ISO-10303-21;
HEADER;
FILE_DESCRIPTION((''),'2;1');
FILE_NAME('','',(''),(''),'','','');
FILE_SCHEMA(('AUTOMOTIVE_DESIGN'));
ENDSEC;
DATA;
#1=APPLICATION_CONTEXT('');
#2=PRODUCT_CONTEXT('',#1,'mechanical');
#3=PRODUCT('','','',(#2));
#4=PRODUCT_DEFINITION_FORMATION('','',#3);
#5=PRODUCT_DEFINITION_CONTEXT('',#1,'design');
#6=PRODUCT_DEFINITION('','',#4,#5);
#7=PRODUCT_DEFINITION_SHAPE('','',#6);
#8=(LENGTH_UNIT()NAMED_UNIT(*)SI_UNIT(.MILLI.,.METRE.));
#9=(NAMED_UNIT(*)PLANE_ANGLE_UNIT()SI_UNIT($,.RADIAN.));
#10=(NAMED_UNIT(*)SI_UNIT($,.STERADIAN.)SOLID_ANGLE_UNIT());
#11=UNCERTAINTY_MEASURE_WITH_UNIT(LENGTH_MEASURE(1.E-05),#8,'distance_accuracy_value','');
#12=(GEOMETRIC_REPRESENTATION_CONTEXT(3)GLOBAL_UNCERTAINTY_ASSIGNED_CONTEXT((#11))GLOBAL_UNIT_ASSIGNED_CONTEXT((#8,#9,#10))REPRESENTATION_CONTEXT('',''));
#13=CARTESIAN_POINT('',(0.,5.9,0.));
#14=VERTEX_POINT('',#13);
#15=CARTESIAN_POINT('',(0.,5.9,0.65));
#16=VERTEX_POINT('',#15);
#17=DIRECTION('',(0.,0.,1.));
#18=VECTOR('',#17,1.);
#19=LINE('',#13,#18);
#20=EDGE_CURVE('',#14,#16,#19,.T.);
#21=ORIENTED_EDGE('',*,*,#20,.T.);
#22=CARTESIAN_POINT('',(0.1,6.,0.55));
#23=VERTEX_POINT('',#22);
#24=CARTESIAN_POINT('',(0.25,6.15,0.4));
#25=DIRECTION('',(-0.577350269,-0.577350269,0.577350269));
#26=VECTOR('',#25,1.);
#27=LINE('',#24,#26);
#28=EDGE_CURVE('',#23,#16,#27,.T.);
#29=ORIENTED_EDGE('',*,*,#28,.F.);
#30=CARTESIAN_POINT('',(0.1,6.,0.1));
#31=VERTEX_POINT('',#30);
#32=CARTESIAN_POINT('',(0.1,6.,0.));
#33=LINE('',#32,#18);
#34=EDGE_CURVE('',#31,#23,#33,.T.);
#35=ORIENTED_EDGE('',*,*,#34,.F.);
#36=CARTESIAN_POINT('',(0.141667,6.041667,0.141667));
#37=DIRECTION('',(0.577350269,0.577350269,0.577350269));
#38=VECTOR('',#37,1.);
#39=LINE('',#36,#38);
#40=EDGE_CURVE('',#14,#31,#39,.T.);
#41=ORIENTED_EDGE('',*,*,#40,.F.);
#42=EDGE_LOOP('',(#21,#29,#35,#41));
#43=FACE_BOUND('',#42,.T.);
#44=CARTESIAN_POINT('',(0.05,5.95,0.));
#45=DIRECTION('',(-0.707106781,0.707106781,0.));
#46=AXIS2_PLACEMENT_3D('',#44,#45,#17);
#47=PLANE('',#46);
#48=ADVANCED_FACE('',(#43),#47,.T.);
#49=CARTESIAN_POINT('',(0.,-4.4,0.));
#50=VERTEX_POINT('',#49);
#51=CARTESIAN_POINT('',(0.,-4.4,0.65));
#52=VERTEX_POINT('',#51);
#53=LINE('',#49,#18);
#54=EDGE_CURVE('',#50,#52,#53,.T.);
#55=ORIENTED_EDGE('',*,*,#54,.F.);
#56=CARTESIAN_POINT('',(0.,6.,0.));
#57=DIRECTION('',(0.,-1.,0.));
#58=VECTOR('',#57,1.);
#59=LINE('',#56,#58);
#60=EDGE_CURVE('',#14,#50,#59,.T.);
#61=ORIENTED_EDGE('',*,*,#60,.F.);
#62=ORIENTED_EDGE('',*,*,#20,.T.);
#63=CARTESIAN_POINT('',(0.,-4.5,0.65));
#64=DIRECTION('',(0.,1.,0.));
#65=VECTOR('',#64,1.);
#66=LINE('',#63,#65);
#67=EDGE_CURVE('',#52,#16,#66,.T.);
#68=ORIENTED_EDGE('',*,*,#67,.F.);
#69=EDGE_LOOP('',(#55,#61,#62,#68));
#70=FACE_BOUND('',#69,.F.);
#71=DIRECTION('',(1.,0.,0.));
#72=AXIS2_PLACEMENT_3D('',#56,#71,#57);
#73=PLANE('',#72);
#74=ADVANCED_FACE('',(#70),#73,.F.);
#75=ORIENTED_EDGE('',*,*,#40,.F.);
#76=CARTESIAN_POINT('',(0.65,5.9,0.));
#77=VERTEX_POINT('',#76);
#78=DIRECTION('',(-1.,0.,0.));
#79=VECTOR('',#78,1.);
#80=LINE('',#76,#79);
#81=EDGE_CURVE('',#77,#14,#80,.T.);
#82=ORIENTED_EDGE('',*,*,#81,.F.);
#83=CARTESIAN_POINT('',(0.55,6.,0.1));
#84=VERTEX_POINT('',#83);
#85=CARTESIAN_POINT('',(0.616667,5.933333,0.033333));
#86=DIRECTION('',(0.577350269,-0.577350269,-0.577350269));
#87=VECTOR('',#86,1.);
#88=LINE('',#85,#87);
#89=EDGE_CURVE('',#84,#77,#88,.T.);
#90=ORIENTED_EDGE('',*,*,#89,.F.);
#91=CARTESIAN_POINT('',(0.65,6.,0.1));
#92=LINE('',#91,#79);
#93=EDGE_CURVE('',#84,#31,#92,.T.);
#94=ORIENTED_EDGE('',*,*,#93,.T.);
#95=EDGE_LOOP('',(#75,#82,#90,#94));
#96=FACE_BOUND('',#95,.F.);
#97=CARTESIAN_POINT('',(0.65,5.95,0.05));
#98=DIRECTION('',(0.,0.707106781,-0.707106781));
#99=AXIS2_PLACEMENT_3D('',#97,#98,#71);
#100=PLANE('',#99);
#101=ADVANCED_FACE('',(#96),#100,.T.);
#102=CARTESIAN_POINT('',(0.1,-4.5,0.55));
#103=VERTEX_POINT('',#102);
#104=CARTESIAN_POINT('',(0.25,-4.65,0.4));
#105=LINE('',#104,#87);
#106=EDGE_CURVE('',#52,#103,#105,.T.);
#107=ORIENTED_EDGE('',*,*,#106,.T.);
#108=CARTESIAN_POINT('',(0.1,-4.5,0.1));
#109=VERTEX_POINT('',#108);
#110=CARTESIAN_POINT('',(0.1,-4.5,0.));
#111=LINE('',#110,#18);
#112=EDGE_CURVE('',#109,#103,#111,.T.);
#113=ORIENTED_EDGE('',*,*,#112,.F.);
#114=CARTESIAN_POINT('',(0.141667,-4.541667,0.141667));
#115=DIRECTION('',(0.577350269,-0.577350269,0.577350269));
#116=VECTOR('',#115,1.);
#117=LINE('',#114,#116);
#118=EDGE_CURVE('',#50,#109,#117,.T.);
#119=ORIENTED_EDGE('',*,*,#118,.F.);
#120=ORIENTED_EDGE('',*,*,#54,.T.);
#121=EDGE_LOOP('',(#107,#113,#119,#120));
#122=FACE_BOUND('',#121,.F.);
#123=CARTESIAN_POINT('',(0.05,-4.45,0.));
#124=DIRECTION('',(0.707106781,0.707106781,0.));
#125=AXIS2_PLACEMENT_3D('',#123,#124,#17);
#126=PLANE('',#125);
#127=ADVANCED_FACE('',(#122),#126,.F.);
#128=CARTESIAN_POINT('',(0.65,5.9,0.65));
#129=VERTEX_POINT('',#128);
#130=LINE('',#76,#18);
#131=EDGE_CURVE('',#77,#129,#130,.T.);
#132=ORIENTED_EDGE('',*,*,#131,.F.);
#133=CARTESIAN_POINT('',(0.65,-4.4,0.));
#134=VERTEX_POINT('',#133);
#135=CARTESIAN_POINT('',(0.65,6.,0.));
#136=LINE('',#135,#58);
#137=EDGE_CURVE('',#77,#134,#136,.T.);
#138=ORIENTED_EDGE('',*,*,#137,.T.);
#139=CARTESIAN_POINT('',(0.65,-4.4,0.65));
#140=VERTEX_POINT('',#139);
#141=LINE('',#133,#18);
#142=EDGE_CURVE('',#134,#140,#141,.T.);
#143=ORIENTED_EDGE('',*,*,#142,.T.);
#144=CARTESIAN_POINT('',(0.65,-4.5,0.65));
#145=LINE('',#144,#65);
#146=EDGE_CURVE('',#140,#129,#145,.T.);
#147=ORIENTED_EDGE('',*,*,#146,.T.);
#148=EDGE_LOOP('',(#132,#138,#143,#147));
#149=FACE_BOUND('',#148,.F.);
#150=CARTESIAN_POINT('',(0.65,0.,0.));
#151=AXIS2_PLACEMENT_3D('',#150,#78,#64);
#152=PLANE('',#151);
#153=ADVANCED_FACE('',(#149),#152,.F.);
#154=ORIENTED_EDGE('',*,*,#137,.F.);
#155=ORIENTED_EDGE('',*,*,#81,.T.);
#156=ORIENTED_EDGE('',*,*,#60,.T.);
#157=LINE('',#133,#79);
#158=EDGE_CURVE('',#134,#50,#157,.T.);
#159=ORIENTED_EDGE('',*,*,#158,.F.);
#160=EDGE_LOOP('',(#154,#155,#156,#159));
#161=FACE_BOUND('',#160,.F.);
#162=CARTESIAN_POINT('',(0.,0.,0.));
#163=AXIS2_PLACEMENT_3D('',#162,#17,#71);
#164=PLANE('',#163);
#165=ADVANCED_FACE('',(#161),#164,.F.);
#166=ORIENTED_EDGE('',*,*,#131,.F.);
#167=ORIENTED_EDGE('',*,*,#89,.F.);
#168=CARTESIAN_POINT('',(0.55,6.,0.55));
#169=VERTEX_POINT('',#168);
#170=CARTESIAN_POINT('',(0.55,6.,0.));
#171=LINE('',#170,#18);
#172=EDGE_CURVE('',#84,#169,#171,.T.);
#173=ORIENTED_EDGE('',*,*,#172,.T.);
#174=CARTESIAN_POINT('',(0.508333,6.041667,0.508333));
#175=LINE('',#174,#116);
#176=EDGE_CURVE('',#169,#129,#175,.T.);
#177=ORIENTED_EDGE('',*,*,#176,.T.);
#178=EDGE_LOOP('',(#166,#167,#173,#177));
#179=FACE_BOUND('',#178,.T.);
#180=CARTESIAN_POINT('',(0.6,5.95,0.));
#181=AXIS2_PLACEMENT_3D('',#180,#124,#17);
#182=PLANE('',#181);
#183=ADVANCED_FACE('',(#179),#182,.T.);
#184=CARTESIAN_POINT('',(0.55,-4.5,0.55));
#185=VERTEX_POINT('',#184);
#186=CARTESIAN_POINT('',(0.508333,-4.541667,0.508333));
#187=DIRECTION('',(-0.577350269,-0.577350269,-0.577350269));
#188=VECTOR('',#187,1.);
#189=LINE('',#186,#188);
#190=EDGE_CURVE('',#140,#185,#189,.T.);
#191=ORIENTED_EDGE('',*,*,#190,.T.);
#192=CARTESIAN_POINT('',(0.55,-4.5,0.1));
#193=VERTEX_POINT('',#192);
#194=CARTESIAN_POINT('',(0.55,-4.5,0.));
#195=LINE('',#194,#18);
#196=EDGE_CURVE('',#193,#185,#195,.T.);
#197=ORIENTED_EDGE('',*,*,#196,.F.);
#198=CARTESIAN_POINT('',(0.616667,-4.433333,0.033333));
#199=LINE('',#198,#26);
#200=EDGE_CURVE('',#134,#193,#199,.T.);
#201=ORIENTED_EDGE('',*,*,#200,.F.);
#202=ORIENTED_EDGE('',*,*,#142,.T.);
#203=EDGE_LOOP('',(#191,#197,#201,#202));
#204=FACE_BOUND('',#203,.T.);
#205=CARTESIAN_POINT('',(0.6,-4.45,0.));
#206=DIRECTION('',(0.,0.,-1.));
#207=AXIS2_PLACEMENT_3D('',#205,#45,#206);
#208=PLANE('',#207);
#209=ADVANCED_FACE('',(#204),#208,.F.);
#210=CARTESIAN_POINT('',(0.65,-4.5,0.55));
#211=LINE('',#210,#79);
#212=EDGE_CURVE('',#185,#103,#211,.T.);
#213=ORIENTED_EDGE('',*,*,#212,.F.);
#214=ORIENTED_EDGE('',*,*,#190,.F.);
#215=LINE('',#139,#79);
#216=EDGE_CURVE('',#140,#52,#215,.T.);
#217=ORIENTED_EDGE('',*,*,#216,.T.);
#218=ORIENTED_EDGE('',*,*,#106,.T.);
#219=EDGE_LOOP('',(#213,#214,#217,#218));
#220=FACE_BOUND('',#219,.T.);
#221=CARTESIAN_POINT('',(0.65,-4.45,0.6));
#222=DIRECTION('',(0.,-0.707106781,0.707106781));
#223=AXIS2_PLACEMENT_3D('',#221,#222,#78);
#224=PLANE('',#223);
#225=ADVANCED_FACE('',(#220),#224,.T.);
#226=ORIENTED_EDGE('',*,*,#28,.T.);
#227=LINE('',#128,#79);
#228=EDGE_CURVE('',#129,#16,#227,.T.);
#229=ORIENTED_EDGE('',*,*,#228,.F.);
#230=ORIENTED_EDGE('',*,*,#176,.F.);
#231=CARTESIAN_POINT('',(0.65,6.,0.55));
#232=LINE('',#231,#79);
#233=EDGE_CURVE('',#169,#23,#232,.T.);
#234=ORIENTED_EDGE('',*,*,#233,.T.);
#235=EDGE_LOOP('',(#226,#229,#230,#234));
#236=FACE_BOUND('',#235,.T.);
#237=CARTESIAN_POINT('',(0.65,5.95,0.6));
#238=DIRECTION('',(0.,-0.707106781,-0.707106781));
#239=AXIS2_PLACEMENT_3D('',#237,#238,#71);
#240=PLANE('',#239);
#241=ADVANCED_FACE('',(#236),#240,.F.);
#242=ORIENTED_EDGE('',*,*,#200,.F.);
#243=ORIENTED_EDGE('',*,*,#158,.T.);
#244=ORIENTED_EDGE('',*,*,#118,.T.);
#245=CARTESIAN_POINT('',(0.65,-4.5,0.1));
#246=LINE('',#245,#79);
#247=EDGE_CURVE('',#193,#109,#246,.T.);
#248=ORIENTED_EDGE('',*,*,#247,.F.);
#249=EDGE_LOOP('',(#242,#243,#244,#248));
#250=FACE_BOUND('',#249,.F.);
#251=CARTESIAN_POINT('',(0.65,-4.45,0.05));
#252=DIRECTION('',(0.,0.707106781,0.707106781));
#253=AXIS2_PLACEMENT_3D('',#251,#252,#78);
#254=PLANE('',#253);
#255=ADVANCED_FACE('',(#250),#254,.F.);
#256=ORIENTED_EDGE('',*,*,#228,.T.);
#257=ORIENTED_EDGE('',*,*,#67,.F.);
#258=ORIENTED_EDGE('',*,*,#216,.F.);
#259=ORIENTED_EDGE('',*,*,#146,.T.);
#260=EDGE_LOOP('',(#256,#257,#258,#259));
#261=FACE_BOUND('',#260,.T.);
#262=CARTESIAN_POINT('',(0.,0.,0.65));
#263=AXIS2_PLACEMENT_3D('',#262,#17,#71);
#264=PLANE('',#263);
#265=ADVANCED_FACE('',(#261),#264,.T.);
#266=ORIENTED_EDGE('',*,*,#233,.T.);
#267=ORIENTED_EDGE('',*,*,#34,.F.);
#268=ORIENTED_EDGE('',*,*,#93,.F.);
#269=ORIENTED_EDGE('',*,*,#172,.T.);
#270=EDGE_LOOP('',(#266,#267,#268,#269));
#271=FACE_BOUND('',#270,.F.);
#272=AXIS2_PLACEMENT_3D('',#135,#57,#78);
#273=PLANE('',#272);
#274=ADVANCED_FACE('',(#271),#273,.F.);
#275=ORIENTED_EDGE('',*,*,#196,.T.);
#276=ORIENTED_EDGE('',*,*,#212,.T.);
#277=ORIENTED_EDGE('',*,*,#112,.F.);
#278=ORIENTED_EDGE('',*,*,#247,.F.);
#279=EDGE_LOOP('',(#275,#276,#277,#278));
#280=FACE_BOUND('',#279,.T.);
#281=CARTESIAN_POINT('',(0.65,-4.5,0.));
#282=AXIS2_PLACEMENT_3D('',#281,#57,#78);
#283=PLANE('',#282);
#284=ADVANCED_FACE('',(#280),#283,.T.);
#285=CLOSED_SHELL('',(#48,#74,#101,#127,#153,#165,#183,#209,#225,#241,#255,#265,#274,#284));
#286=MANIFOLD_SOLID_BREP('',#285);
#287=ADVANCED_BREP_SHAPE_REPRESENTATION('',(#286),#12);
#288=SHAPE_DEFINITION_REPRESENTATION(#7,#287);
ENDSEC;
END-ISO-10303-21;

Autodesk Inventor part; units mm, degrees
ref_plane "YZ Plane" through (0, 0, 0) normal (1, 0, 0) x (0, 1, 0)
ref_plane "XZ Plane" through (0, 0, 0) normal (0, 1, 0) x (-1, 0, 0)
ref_plane "XY Plane" through (0, 0, 0) normal (0, 0, 1) x (1, 0, 0)
sketch "Sketch3" plane through (0, 0, 0) normal (0, 0, 1) x (1, 0, 0)
  line L0 (0, 0) -> (0.65, 0)
  line L1 (0.65, 0) -> (0.65, 6)
  line L2 (0.65, 6) -> (0, 6)
  line L3 (0, 6) -> (0, 0)
  line L4 (0.325, 0) -> (2.865, 0)
  line L5 (0, 0) -> (0.65, 0)
  line L6 (0.65, 0) -> (0.65, -4.5)
  line L7 (0.65, -4.5) -> (0, -4.5)
  line L8 (0, -4.5) -> (0, 0)
  dimension "d0" = 0.65
  dimension "d1" = 6
  dimension "d3" = 4.5
extrude "Extrusion1" add sketch "Sketch3" along normal blind 0.65
chamfer "Chamfer1" distance 0.1 angle 45 8 edges at (0.65, 6, 0.325) (0.325, 6, 0.65) (0, 6, 0.325) (0.325, 6, 0) (0.65, -4.5, 0.325) (0.325, -4.5, 0.65) (0, -4.5, 0.325) (0.325, -4.5, 0)
properties part number "Pin" material "Silver"
